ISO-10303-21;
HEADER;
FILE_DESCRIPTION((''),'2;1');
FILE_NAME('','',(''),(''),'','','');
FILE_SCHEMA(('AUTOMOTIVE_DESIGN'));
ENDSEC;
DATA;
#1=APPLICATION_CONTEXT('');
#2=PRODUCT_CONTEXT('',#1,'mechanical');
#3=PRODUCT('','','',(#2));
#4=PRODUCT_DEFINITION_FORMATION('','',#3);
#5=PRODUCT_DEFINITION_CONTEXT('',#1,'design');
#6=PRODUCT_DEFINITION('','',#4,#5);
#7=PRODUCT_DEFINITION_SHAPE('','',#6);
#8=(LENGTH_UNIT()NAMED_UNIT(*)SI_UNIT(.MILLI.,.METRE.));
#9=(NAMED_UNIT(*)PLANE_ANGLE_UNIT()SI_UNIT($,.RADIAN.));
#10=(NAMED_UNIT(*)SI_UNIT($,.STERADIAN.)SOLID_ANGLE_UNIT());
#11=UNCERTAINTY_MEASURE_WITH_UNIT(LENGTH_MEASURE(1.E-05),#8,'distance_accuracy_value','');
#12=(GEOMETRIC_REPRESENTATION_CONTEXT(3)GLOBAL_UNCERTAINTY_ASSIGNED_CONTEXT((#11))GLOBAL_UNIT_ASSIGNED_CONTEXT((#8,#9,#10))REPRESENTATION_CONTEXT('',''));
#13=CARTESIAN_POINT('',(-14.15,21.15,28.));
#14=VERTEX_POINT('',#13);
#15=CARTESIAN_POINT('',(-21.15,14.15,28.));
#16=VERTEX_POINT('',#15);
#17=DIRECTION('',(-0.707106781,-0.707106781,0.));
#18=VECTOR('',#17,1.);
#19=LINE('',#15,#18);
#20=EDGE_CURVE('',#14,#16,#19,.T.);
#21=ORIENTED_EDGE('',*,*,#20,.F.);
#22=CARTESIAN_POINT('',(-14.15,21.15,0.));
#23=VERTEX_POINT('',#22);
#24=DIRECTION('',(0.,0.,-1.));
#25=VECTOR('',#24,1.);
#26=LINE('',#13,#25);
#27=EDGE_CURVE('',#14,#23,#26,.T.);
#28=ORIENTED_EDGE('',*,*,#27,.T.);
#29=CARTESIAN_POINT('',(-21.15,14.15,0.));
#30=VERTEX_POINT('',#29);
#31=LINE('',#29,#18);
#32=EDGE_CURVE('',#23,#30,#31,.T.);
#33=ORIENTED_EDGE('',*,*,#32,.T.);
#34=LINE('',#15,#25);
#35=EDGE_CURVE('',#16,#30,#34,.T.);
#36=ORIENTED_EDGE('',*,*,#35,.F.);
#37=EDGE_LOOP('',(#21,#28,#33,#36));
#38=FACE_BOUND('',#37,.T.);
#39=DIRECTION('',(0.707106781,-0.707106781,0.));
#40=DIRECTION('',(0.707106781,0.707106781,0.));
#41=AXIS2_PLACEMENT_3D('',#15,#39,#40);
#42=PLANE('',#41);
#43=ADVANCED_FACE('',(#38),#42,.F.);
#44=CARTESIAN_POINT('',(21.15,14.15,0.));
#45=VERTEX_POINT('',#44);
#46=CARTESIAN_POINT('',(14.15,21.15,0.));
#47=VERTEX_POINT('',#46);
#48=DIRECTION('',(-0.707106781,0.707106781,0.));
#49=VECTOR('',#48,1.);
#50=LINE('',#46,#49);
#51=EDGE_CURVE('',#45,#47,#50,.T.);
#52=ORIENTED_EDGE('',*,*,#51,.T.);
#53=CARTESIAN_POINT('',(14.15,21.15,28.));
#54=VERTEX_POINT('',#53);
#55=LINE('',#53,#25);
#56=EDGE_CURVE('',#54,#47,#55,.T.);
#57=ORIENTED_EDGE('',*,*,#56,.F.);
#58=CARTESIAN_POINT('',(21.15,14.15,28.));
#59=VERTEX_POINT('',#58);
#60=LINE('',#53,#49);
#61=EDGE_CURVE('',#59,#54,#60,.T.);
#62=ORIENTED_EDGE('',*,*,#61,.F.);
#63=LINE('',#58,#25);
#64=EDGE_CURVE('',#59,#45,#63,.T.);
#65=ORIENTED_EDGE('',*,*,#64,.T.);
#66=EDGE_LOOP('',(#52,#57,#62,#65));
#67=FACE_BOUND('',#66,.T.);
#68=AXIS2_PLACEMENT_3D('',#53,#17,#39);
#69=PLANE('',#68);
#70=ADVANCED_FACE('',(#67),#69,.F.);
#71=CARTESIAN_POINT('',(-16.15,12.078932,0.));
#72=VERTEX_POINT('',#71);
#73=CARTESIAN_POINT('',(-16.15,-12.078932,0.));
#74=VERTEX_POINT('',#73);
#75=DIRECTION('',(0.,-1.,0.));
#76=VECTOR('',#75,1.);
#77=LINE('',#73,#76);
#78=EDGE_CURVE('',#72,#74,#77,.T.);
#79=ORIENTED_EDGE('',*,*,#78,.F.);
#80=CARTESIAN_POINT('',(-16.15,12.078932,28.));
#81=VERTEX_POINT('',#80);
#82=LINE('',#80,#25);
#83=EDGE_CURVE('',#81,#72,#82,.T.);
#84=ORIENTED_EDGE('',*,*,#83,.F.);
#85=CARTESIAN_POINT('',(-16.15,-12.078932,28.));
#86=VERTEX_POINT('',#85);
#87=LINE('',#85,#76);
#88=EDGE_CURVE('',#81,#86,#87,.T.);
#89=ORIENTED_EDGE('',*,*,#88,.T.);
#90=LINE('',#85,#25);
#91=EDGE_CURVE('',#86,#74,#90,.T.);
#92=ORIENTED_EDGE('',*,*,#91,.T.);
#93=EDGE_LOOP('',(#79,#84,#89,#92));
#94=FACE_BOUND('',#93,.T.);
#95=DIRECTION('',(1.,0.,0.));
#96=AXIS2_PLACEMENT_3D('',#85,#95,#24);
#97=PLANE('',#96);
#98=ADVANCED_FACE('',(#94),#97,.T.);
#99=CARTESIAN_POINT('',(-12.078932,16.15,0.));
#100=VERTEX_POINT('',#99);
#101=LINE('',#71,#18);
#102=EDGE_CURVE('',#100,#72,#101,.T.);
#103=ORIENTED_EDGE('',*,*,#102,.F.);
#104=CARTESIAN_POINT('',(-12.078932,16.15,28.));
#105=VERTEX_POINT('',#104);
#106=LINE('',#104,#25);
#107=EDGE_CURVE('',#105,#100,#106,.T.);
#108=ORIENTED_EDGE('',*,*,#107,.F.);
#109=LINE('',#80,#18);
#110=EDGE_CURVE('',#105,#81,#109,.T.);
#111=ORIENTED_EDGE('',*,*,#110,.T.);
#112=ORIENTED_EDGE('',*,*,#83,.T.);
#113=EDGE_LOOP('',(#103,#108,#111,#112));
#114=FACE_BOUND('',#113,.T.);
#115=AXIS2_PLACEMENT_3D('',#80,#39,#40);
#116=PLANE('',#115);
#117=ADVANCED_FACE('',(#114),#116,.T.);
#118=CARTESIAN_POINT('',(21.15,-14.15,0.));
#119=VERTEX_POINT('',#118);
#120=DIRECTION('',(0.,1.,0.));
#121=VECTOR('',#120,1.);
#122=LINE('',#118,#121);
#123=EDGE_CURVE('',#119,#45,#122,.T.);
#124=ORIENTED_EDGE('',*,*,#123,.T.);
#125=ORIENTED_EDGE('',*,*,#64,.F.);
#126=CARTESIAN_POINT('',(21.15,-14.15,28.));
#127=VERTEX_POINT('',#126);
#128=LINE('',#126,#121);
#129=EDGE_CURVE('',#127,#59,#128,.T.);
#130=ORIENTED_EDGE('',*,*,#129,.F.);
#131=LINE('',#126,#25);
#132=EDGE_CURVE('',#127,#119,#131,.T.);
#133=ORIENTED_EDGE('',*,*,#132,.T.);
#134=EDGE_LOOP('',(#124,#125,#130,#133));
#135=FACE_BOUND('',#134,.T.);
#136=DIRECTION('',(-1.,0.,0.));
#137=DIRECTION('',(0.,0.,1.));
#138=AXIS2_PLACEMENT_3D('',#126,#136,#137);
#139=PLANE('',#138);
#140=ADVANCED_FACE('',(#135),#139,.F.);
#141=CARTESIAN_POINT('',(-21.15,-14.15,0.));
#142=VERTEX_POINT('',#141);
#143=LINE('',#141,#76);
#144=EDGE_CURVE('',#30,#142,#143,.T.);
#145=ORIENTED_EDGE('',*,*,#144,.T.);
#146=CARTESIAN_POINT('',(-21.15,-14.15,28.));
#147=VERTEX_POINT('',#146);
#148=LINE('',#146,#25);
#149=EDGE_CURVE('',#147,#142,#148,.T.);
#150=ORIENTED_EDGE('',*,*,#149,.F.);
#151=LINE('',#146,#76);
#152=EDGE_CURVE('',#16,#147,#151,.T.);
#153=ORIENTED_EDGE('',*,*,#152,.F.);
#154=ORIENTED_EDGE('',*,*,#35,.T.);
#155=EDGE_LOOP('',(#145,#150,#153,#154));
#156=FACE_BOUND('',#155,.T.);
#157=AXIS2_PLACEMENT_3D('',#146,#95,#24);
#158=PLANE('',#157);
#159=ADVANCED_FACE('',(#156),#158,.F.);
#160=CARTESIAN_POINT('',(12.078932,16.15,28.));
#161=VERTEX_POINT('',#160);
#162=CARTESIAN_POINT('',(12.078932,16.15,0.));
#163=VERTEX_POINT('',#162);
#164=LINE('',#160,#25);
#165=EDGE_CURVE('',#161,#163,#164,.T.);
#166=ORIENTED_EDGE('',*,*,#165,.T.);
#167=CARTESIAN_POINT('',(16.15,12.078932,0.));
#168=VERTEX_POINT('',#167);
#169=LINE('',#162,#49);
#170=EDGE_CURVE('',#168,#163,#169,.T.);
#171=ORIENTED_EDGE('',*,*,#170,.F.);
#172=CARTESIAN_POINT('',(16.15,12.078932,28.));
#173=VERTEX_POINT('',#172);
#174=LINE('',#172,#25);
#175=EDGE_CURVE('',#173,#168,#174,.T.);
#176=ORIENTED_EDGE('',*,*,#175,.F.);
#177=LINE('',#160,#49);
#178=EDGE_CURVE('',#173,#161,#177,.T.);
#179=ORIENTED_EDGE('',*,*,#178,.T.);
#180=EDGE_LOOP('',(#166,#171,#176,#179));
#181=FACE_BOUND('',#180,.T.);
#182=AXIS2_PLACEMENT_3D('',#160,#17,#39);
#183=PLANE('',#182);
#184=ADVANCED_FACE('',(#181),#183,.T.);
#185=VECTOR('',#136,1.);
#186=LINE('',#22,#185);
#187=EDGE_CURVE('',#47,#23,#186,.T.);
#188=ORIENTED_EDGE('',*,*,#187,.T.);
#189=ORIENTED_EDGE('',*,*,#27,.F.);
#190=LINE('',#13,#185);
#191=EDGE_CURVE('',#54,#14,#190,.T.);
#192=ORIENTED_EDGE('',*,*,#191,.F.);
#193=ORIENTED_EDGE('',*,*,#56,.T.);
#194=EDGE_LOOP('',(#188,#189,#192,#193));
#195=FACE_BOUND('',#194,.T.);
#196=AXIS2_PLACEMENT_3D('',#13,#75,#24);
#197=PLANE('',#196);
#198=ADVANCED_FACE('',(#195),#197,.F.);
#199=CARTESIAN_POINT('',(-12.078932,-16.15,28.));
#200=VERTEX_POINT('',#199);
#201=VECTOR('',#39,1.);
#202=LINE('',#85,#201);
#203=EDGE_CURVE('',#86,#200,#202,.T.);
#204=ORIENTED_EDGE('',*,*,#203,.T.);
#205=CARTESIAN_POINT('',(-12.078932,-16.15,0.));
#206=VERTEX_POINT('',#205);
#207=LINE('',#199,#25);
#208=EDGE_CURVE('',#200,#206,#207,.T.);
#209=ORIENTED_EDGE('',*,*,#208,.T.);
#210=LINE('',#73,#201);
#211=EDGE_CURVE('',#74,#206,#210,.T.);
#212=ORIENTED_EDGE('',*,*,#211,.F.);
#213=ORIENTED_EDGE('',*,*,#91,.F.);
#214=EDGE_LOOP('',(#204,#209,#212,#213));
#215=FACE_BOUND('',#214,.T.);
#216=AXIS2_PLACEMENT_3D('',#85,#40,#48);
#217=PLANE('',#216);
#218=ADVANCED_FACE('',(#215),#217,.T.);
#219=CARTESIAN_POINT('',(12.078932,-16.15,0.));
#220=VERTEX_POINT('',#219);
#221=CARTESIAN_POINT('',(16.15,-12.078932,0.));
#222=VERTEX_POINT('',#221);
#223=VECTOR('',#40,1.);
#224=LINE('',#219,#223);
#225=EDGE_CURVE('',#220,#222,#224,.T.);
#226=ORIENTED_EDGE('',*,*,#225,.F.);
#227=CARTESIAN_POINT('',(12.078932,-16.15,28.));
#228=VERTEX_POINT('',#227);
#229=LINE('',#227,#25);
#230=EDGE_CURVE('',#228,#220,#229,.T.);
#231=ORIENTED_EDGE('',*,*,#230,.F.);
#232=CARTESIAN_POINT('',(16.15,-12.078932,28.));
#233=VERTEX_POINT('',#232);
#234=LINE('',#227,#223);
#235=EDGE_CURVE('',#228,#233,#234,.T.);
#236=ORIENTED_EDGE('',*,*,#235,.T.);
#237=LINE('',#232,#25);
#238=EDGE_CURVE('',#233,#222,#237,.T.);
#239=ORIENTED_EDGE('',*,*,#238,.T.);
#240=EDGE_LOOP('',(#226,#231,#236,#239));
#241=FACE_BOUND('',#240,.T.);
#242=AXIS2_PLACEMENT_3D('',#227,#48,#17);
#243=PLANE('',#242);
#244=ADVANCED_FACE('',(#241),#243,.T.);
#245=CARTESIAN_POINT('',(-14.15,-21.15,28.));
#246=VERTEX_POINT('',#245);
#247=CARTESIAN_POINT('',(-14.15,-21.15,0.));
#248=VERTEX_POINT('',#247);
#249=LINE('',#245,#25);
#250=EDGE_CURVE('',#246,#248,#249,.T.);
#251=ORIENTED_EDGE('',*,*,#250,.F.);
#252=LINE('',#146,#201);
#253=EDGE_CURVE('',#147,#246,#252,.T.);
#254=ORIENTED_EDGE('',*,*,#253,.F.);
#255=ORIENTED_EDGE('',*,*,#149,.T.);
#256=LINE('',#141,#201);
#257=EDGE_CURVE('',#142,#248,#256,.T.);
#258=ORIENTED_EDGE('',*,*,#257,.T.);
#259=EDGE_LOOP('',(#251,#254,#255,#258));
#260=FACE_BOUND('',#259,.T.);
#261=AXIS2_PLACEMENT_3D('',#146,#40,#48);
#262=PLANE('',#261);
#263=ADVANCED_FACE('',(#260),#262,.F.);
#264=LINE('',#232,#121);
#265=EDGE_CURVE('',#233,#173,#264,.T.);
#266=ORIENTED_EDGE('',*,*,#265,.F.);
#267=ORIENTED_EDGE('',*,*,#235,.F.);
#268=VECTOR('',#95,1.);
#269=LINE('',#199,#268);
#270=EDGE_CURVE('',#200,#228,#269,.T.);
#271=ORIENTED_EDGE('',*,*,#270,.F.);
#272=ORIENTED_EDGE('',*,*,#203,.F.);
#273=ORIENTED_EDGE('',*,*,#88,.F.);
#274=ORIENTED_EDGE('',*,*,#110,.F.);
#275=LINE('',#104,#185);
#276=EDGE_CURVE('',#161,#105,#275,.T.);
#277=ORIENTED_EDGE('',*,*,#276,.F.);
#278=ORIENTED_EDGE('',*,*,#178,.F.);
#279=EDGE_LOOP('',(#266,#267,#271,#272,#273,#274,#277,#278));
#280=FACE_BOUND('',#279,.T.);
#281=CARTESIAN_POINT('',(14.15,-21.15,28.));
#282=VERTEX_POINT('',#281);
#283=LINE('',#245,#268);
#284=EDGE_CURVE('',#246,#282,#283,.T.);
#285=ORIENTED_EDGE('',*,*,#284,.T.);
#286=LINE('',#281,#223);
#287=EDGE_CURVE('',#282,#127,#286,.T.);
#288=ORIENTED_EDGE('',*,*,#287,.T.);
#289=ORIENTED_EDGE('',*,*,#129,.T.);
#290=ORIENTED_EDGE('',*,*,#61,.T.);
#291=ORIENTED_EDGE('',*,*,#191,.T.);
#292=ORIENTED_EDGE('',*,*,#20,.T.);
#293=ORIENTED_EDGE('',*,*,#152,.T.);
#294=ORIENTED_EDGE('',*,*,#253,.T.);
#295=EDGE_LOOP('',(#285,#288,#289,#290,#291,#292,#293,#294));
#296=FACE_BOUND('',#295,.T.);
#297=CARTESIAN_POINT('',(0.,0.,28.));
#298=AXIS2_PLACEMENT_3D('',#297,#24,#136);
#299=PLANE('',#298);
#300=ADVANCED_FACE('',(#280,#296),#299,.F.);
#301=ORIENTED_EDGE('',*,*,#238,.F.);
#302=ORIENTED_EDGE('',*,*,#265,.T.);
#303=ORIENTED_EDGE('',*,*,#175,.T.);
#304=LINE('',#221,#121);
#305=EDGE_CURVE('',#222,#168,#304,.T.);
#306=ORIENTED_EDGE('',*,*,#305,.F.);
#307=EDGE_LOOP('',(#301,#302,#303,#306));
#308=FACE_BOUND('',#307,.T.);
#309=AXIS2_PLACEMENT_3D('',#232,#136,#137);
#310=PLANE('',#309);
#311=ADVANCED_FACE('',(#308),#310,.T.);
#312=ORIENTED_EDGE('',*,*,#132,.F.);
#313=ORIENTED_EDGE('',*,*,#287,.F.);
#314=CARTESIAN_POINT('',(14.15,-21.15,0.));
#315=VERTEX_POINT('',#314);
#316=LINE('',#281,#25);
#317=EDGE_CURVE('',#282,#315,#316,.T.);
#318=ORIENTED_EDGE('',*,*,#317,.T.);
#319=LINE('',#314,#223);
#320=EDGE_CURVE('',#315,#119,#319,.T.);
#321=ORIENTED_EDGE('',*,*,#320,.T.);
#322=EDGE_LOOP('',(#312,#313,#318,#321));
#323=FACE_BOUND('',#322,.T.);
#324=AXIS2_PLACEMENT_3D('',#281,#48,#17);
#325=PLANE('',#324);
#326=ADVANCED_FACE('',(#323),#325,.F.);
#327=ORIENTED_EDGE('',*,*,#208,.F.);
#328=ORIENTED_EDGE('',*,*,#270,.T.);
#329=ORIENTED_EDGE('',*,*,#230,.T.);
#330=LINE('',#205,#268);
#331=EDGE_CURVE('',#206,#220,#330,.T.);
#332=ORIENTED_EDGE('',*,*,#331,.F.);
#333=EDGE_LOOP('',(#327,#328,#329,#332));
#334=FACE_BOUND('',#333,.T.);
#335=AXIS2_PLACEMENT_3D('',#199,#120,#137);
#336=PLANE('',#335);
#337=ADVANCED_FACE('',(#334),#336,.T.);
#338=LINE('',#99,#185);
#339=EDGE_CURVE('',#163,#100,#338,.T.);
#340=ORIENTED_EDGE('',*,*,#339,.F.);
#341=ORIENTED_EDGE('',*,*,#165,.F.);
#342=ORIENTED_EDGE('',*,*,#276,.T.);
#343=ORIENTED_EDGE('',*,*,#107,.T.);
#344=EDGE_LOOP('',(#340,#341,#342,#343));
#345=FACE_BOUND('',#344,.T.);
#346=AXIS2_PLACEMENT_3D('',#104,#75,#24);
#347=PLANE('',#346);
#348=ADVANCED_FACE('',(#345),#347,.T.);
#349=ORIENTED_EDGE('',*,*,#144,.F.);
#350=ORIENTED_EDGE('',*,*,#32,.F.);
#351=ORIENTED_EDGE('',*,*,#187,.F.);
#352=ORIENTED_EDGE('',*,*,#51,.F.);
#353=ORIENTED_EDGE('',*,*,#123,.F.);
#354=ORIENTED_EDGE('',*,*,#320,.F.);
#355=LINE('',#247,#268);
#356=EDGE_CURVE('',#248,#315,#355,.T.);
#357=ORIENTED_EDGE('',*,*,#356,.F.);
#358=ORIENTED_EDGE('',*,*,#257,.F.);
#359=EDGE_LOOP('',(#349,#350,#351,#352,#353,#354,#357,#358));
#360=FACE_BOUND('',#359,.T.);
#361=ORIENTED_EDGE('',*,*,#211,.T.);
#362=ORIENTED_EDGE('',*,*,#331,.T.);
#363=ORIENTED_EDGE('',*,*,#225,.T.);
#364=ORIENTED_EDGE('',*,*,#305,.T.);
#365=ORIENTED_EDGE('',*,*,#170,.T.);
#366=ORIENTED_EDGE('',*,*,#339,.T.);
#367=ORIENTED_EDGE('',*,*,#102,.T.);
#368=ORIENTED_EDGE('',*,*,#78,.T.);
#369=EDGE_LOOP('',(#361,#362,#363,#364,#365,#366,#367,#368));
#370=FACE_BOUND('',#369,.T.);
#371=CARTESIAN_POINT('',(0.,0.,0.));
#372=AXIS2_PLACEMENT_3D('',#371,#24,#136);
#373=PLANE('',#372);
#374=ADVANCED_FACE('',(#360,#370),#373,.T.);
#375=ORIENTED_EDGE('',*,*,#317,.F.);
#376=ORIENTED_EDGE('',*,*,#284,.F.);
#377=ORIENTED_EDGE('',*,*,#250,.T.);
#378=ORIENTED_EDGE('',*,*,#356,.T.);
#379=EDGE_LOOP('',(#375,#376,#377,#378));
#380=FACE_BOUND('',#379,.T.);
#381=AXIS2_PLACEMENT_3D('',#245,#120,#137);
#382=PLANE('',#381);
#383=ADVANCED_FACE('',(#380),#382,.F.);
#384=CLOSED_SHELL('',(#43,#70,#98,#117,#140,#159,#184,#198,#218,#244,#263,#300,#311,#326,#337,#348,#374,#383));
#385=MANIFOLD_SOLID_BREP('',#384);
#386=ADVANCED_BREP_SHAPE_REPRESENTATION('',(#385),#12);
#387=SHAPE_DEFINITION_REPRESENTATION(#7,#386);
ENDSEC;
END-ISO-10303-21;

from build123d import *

# Parameters (mm, degrees)
BODY_DEPTH = 28


with BuildPart() as part:
    # Sketch1 → Body (new body)
    with BuildSketch(Plane.XY):
        Polygon((-21.15, 14.15), (-14.15, 21.15), (14.15, 21.15), (21.15, 14.15), (21.15, -14.15), (14.15, -21.15), (-14.15, -21.15), (-21.15, -14.15), align=None)
        Polygon((-12.078932188, 16.15), (12.078932188, 16.15), (16.15, 12.078932188), (16.15, -12.078932188), (12.078932188, -16.15), (-12.078932188, -16.15), (-16.15, -12.078932188), (-16.15, 12.078932188), align=None, mode=Mode.SUBTRACT)
    extrude(amount=BODY_DEPTH)


solid = part.part
